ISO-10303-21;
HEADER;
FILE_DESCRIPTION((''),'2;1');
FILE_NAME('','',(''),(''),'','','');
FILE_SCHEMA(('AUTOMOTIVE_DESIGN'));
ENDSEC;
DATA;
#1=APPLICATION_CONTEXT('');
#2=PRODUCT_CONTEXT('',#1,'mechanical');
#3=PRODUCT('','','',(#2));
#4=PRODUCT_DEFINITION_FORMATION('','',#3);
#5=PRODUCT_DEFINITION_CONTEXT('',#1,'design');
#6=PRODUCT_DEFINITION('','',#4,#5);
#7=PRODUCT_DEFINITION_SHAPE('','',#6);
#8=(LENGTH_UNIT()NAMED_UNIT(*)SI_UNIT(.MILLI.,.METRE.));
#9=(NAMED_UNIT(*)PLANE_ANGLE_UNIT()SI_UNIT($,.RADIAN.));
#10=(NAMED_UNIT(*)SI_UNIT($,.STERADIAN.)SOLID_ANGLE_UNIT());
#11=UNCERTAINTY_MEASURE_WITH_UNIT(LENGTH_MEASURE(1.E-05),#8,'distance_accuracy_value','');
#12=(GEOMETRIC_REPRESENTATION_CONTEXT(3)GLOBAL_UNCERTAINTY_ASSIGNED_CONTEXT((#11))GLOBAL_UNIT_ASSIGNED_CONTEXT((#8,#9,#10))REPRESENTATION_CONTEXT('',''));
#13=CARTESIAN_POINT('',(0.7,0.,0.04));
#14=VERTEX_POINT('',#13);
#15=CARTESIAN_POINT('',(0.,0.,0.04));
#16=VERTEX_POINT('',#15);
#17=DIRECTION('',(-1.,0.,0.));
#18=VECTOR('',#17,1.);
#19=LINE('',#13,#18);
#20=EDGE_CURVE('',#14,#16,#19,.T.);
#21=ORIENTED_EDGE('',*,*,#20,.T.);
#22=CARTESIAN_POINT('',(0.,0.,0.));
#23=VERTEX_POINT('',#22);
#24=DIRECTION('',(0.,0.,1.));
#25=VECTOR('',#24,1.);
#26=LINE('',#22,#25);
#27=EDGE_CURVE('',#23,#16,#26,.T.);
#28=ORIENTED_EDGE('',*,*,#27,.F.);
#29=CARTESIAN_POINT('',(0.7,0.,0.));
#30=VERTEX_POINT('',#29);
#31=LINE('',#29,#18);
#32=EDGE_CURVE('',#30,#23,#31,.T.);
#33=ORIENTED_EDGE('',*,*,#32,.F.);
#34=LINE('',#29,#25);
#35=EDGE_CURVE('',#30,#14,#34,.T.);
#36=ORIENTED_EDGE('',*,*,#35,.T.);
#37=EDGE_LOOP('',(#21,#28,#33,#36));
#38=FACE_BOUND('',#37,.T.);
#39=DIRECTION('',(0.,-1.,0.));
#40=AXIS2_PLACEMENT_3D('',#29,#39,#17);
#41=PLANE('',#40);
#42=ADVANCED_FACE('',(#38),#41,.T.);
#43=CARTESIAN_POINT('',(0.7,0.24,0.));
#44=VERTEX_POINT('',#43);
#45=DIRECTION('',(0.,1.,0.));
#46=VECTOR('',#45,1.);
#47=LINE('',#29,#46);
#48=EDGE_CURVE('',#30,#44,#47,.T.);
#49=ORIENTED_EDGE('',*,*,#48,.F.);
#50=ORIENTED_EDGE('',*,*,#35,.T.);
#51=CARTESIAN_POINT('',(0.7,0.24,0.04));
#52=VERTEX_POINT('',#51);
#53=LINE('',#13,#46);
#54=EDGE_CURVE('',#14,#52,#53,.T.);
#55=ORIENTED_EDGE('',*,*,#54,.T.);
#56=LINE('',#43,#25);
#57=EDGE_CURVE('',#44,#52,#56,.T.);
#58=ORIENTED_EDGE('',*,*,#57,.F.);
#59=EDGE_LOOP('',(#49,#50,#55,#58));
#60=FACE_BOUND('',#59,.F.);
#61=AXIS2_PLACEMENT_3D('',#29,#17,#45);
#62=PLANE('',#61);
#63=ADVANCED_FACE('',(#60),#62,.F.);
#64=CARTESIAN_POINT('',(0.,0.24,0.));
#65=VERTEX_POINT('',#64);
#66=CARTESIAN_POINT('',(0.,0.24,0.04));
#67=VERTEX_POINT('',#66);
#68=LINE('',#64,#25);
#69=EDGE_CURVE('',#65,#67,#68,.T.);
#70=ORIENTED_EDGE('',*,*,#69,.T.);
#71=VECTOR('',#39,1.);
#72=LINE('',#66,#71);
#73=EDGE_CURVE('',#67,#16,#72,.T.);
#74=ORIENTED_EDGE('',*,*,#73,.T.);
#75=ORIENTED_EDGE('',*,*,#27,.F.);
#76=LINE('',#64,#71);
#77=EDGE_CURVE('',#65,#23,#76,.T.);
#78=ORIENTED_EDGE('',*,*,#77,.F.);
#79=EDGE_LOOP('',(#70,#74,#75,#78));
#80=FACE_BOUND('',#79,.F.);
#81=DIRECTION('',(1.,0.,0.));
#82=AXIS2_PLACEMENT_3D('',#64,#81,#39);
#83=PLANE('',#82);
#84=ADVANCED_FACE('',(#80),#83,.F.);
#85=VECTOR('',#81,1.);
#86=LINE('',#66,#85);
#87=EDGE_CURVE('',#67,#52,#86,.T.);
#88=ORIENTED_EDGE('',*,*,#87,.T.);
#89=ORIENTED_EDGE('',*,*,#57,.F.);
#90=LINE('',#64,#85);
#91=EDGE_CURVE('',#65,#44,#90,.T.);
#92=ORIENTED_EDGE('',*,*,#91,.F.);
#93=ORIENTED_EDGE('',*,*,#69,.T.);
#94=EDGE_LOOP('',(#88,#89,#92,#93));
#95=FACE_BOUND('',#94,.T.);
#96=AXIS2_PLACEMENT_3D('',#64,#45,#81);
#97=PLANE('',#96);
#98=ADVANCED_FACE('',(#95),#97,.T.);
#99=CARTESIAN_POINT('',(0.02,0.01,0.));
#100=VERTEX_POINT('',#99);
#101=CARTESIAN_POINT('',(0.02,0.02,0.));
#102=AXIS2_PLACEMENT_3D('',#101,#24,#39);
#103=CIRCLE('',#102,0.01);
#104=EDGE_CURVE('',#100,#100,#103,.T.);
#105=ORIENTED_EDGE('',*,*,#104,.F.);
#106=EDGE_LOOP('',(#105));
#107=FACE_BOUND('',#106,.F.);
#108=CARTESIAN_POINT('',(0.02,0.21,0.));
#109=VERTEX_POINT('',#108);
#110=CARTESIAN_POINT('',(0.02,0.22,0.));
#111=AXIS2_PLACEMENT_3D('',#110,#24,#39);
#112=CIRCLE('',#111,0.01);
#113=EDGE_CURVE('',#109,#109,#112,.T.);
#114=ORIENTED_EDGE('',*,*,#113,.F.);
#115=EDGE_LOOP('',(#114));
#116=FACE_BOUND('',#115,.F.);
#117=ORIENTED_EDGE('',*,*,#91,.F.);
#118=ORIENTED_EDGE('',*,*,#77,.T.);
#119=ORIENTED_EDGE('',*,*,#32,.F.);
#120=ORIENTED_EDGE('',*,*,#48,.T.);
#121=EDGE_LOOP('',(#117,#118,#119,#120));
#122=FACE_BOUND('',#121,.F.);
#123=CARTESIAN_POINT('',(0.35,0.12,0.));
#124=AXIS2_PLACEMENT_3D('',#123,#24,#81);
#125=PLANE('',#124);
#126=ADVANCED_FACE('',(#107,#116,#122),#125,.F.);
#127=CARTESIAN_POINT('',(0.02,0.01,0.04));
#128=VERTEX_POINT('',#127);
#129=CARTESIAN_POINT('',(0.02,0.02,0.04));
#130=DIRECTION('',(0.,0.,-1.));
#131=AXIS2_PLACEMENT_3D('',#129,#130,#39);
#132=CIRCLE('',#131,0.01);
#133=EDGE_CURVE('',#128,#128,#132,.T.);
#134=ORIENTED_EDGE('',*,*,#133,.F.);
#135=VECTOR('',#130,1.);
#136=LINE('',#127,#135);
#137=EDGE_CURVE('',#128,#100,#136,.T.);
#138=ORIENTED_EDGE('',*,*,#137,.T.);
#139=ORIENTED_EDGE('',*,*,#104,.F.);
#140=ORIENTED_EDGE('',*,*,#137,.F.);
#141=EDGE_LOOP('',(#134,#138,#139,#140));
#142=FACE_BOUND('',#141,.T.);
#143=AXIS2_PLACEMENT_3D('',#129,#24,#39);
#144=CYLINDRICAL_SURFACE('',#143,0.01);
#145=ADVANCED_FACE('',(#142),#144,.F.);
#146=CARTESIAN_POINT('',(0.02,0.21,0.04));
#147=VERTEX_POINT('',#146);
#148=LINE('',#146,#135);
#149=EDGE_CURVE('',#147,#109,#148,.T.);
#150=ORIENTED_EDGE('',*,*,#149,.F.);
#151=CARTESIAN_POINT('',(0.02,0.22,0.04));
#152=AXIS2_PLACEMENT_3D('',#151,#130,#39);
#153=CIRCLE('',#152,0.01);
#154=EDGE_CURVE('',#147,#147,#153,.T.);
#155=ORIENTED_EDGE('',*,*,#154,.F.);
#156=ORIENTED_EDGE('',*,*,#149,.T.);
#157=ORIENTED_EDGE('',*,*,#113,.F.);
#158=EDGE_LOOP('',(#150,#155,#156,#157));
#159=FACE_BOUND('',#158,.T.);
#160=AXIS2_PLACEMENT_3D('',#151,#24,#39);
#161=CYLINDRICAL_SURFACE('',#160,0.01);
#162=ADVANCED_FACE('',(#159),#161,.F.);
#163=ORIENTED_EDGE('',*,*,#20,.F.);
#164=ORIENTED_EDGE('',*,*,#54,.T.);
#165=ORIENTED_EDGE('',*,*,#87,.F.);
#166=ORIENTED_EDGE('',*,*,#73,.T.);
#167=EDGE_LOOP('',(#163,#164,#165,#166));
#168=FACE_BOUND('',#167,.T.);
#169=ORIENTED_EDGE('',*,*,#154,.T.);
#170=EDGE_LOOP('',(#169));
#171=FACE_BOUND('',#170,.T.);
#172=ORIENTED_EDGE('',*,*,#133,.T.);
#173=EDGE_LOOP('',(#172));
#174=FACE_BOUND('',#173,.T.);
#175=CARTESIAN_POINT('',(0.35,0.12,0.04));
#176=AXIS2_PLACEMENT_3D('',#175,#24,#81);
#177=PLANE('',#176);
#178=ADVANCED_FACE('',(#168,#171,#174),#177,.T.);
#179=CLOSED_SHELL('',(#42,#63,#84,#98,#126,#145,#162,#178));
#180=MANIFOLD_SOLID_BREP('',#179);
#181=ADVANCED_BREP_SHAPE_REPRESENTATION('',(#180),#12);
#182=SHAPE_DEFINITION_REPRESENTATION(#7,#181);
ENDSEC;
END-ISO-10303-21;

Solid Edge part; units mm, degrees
sketch "Sketch1" plane through (0, 0, 0) normal (0, 0, 1) x (1, 0, 0)
  line L0 (0.7, 0) -> (0.7, 0.24)
  line L1 (0, 0.24) -> (0.7, 0.24)
  line L2 (0, 0.24) -> (0, 0)
  line L3 (0.7, 0) -> (0, 0)
  dimension "D1" = 0.04
extrude "Protrusion1" add sketch "Sketch1" along normal blind 0.04
hole "Bohrung_1" at (0.02, 0.02, 0.04) direction (0, 0, -1) diameter 0.02 end through all
hole "Hole1" at (0.02, 0.22, 0.04) direction (0, 0, -1) diameter 0.02 end through all
